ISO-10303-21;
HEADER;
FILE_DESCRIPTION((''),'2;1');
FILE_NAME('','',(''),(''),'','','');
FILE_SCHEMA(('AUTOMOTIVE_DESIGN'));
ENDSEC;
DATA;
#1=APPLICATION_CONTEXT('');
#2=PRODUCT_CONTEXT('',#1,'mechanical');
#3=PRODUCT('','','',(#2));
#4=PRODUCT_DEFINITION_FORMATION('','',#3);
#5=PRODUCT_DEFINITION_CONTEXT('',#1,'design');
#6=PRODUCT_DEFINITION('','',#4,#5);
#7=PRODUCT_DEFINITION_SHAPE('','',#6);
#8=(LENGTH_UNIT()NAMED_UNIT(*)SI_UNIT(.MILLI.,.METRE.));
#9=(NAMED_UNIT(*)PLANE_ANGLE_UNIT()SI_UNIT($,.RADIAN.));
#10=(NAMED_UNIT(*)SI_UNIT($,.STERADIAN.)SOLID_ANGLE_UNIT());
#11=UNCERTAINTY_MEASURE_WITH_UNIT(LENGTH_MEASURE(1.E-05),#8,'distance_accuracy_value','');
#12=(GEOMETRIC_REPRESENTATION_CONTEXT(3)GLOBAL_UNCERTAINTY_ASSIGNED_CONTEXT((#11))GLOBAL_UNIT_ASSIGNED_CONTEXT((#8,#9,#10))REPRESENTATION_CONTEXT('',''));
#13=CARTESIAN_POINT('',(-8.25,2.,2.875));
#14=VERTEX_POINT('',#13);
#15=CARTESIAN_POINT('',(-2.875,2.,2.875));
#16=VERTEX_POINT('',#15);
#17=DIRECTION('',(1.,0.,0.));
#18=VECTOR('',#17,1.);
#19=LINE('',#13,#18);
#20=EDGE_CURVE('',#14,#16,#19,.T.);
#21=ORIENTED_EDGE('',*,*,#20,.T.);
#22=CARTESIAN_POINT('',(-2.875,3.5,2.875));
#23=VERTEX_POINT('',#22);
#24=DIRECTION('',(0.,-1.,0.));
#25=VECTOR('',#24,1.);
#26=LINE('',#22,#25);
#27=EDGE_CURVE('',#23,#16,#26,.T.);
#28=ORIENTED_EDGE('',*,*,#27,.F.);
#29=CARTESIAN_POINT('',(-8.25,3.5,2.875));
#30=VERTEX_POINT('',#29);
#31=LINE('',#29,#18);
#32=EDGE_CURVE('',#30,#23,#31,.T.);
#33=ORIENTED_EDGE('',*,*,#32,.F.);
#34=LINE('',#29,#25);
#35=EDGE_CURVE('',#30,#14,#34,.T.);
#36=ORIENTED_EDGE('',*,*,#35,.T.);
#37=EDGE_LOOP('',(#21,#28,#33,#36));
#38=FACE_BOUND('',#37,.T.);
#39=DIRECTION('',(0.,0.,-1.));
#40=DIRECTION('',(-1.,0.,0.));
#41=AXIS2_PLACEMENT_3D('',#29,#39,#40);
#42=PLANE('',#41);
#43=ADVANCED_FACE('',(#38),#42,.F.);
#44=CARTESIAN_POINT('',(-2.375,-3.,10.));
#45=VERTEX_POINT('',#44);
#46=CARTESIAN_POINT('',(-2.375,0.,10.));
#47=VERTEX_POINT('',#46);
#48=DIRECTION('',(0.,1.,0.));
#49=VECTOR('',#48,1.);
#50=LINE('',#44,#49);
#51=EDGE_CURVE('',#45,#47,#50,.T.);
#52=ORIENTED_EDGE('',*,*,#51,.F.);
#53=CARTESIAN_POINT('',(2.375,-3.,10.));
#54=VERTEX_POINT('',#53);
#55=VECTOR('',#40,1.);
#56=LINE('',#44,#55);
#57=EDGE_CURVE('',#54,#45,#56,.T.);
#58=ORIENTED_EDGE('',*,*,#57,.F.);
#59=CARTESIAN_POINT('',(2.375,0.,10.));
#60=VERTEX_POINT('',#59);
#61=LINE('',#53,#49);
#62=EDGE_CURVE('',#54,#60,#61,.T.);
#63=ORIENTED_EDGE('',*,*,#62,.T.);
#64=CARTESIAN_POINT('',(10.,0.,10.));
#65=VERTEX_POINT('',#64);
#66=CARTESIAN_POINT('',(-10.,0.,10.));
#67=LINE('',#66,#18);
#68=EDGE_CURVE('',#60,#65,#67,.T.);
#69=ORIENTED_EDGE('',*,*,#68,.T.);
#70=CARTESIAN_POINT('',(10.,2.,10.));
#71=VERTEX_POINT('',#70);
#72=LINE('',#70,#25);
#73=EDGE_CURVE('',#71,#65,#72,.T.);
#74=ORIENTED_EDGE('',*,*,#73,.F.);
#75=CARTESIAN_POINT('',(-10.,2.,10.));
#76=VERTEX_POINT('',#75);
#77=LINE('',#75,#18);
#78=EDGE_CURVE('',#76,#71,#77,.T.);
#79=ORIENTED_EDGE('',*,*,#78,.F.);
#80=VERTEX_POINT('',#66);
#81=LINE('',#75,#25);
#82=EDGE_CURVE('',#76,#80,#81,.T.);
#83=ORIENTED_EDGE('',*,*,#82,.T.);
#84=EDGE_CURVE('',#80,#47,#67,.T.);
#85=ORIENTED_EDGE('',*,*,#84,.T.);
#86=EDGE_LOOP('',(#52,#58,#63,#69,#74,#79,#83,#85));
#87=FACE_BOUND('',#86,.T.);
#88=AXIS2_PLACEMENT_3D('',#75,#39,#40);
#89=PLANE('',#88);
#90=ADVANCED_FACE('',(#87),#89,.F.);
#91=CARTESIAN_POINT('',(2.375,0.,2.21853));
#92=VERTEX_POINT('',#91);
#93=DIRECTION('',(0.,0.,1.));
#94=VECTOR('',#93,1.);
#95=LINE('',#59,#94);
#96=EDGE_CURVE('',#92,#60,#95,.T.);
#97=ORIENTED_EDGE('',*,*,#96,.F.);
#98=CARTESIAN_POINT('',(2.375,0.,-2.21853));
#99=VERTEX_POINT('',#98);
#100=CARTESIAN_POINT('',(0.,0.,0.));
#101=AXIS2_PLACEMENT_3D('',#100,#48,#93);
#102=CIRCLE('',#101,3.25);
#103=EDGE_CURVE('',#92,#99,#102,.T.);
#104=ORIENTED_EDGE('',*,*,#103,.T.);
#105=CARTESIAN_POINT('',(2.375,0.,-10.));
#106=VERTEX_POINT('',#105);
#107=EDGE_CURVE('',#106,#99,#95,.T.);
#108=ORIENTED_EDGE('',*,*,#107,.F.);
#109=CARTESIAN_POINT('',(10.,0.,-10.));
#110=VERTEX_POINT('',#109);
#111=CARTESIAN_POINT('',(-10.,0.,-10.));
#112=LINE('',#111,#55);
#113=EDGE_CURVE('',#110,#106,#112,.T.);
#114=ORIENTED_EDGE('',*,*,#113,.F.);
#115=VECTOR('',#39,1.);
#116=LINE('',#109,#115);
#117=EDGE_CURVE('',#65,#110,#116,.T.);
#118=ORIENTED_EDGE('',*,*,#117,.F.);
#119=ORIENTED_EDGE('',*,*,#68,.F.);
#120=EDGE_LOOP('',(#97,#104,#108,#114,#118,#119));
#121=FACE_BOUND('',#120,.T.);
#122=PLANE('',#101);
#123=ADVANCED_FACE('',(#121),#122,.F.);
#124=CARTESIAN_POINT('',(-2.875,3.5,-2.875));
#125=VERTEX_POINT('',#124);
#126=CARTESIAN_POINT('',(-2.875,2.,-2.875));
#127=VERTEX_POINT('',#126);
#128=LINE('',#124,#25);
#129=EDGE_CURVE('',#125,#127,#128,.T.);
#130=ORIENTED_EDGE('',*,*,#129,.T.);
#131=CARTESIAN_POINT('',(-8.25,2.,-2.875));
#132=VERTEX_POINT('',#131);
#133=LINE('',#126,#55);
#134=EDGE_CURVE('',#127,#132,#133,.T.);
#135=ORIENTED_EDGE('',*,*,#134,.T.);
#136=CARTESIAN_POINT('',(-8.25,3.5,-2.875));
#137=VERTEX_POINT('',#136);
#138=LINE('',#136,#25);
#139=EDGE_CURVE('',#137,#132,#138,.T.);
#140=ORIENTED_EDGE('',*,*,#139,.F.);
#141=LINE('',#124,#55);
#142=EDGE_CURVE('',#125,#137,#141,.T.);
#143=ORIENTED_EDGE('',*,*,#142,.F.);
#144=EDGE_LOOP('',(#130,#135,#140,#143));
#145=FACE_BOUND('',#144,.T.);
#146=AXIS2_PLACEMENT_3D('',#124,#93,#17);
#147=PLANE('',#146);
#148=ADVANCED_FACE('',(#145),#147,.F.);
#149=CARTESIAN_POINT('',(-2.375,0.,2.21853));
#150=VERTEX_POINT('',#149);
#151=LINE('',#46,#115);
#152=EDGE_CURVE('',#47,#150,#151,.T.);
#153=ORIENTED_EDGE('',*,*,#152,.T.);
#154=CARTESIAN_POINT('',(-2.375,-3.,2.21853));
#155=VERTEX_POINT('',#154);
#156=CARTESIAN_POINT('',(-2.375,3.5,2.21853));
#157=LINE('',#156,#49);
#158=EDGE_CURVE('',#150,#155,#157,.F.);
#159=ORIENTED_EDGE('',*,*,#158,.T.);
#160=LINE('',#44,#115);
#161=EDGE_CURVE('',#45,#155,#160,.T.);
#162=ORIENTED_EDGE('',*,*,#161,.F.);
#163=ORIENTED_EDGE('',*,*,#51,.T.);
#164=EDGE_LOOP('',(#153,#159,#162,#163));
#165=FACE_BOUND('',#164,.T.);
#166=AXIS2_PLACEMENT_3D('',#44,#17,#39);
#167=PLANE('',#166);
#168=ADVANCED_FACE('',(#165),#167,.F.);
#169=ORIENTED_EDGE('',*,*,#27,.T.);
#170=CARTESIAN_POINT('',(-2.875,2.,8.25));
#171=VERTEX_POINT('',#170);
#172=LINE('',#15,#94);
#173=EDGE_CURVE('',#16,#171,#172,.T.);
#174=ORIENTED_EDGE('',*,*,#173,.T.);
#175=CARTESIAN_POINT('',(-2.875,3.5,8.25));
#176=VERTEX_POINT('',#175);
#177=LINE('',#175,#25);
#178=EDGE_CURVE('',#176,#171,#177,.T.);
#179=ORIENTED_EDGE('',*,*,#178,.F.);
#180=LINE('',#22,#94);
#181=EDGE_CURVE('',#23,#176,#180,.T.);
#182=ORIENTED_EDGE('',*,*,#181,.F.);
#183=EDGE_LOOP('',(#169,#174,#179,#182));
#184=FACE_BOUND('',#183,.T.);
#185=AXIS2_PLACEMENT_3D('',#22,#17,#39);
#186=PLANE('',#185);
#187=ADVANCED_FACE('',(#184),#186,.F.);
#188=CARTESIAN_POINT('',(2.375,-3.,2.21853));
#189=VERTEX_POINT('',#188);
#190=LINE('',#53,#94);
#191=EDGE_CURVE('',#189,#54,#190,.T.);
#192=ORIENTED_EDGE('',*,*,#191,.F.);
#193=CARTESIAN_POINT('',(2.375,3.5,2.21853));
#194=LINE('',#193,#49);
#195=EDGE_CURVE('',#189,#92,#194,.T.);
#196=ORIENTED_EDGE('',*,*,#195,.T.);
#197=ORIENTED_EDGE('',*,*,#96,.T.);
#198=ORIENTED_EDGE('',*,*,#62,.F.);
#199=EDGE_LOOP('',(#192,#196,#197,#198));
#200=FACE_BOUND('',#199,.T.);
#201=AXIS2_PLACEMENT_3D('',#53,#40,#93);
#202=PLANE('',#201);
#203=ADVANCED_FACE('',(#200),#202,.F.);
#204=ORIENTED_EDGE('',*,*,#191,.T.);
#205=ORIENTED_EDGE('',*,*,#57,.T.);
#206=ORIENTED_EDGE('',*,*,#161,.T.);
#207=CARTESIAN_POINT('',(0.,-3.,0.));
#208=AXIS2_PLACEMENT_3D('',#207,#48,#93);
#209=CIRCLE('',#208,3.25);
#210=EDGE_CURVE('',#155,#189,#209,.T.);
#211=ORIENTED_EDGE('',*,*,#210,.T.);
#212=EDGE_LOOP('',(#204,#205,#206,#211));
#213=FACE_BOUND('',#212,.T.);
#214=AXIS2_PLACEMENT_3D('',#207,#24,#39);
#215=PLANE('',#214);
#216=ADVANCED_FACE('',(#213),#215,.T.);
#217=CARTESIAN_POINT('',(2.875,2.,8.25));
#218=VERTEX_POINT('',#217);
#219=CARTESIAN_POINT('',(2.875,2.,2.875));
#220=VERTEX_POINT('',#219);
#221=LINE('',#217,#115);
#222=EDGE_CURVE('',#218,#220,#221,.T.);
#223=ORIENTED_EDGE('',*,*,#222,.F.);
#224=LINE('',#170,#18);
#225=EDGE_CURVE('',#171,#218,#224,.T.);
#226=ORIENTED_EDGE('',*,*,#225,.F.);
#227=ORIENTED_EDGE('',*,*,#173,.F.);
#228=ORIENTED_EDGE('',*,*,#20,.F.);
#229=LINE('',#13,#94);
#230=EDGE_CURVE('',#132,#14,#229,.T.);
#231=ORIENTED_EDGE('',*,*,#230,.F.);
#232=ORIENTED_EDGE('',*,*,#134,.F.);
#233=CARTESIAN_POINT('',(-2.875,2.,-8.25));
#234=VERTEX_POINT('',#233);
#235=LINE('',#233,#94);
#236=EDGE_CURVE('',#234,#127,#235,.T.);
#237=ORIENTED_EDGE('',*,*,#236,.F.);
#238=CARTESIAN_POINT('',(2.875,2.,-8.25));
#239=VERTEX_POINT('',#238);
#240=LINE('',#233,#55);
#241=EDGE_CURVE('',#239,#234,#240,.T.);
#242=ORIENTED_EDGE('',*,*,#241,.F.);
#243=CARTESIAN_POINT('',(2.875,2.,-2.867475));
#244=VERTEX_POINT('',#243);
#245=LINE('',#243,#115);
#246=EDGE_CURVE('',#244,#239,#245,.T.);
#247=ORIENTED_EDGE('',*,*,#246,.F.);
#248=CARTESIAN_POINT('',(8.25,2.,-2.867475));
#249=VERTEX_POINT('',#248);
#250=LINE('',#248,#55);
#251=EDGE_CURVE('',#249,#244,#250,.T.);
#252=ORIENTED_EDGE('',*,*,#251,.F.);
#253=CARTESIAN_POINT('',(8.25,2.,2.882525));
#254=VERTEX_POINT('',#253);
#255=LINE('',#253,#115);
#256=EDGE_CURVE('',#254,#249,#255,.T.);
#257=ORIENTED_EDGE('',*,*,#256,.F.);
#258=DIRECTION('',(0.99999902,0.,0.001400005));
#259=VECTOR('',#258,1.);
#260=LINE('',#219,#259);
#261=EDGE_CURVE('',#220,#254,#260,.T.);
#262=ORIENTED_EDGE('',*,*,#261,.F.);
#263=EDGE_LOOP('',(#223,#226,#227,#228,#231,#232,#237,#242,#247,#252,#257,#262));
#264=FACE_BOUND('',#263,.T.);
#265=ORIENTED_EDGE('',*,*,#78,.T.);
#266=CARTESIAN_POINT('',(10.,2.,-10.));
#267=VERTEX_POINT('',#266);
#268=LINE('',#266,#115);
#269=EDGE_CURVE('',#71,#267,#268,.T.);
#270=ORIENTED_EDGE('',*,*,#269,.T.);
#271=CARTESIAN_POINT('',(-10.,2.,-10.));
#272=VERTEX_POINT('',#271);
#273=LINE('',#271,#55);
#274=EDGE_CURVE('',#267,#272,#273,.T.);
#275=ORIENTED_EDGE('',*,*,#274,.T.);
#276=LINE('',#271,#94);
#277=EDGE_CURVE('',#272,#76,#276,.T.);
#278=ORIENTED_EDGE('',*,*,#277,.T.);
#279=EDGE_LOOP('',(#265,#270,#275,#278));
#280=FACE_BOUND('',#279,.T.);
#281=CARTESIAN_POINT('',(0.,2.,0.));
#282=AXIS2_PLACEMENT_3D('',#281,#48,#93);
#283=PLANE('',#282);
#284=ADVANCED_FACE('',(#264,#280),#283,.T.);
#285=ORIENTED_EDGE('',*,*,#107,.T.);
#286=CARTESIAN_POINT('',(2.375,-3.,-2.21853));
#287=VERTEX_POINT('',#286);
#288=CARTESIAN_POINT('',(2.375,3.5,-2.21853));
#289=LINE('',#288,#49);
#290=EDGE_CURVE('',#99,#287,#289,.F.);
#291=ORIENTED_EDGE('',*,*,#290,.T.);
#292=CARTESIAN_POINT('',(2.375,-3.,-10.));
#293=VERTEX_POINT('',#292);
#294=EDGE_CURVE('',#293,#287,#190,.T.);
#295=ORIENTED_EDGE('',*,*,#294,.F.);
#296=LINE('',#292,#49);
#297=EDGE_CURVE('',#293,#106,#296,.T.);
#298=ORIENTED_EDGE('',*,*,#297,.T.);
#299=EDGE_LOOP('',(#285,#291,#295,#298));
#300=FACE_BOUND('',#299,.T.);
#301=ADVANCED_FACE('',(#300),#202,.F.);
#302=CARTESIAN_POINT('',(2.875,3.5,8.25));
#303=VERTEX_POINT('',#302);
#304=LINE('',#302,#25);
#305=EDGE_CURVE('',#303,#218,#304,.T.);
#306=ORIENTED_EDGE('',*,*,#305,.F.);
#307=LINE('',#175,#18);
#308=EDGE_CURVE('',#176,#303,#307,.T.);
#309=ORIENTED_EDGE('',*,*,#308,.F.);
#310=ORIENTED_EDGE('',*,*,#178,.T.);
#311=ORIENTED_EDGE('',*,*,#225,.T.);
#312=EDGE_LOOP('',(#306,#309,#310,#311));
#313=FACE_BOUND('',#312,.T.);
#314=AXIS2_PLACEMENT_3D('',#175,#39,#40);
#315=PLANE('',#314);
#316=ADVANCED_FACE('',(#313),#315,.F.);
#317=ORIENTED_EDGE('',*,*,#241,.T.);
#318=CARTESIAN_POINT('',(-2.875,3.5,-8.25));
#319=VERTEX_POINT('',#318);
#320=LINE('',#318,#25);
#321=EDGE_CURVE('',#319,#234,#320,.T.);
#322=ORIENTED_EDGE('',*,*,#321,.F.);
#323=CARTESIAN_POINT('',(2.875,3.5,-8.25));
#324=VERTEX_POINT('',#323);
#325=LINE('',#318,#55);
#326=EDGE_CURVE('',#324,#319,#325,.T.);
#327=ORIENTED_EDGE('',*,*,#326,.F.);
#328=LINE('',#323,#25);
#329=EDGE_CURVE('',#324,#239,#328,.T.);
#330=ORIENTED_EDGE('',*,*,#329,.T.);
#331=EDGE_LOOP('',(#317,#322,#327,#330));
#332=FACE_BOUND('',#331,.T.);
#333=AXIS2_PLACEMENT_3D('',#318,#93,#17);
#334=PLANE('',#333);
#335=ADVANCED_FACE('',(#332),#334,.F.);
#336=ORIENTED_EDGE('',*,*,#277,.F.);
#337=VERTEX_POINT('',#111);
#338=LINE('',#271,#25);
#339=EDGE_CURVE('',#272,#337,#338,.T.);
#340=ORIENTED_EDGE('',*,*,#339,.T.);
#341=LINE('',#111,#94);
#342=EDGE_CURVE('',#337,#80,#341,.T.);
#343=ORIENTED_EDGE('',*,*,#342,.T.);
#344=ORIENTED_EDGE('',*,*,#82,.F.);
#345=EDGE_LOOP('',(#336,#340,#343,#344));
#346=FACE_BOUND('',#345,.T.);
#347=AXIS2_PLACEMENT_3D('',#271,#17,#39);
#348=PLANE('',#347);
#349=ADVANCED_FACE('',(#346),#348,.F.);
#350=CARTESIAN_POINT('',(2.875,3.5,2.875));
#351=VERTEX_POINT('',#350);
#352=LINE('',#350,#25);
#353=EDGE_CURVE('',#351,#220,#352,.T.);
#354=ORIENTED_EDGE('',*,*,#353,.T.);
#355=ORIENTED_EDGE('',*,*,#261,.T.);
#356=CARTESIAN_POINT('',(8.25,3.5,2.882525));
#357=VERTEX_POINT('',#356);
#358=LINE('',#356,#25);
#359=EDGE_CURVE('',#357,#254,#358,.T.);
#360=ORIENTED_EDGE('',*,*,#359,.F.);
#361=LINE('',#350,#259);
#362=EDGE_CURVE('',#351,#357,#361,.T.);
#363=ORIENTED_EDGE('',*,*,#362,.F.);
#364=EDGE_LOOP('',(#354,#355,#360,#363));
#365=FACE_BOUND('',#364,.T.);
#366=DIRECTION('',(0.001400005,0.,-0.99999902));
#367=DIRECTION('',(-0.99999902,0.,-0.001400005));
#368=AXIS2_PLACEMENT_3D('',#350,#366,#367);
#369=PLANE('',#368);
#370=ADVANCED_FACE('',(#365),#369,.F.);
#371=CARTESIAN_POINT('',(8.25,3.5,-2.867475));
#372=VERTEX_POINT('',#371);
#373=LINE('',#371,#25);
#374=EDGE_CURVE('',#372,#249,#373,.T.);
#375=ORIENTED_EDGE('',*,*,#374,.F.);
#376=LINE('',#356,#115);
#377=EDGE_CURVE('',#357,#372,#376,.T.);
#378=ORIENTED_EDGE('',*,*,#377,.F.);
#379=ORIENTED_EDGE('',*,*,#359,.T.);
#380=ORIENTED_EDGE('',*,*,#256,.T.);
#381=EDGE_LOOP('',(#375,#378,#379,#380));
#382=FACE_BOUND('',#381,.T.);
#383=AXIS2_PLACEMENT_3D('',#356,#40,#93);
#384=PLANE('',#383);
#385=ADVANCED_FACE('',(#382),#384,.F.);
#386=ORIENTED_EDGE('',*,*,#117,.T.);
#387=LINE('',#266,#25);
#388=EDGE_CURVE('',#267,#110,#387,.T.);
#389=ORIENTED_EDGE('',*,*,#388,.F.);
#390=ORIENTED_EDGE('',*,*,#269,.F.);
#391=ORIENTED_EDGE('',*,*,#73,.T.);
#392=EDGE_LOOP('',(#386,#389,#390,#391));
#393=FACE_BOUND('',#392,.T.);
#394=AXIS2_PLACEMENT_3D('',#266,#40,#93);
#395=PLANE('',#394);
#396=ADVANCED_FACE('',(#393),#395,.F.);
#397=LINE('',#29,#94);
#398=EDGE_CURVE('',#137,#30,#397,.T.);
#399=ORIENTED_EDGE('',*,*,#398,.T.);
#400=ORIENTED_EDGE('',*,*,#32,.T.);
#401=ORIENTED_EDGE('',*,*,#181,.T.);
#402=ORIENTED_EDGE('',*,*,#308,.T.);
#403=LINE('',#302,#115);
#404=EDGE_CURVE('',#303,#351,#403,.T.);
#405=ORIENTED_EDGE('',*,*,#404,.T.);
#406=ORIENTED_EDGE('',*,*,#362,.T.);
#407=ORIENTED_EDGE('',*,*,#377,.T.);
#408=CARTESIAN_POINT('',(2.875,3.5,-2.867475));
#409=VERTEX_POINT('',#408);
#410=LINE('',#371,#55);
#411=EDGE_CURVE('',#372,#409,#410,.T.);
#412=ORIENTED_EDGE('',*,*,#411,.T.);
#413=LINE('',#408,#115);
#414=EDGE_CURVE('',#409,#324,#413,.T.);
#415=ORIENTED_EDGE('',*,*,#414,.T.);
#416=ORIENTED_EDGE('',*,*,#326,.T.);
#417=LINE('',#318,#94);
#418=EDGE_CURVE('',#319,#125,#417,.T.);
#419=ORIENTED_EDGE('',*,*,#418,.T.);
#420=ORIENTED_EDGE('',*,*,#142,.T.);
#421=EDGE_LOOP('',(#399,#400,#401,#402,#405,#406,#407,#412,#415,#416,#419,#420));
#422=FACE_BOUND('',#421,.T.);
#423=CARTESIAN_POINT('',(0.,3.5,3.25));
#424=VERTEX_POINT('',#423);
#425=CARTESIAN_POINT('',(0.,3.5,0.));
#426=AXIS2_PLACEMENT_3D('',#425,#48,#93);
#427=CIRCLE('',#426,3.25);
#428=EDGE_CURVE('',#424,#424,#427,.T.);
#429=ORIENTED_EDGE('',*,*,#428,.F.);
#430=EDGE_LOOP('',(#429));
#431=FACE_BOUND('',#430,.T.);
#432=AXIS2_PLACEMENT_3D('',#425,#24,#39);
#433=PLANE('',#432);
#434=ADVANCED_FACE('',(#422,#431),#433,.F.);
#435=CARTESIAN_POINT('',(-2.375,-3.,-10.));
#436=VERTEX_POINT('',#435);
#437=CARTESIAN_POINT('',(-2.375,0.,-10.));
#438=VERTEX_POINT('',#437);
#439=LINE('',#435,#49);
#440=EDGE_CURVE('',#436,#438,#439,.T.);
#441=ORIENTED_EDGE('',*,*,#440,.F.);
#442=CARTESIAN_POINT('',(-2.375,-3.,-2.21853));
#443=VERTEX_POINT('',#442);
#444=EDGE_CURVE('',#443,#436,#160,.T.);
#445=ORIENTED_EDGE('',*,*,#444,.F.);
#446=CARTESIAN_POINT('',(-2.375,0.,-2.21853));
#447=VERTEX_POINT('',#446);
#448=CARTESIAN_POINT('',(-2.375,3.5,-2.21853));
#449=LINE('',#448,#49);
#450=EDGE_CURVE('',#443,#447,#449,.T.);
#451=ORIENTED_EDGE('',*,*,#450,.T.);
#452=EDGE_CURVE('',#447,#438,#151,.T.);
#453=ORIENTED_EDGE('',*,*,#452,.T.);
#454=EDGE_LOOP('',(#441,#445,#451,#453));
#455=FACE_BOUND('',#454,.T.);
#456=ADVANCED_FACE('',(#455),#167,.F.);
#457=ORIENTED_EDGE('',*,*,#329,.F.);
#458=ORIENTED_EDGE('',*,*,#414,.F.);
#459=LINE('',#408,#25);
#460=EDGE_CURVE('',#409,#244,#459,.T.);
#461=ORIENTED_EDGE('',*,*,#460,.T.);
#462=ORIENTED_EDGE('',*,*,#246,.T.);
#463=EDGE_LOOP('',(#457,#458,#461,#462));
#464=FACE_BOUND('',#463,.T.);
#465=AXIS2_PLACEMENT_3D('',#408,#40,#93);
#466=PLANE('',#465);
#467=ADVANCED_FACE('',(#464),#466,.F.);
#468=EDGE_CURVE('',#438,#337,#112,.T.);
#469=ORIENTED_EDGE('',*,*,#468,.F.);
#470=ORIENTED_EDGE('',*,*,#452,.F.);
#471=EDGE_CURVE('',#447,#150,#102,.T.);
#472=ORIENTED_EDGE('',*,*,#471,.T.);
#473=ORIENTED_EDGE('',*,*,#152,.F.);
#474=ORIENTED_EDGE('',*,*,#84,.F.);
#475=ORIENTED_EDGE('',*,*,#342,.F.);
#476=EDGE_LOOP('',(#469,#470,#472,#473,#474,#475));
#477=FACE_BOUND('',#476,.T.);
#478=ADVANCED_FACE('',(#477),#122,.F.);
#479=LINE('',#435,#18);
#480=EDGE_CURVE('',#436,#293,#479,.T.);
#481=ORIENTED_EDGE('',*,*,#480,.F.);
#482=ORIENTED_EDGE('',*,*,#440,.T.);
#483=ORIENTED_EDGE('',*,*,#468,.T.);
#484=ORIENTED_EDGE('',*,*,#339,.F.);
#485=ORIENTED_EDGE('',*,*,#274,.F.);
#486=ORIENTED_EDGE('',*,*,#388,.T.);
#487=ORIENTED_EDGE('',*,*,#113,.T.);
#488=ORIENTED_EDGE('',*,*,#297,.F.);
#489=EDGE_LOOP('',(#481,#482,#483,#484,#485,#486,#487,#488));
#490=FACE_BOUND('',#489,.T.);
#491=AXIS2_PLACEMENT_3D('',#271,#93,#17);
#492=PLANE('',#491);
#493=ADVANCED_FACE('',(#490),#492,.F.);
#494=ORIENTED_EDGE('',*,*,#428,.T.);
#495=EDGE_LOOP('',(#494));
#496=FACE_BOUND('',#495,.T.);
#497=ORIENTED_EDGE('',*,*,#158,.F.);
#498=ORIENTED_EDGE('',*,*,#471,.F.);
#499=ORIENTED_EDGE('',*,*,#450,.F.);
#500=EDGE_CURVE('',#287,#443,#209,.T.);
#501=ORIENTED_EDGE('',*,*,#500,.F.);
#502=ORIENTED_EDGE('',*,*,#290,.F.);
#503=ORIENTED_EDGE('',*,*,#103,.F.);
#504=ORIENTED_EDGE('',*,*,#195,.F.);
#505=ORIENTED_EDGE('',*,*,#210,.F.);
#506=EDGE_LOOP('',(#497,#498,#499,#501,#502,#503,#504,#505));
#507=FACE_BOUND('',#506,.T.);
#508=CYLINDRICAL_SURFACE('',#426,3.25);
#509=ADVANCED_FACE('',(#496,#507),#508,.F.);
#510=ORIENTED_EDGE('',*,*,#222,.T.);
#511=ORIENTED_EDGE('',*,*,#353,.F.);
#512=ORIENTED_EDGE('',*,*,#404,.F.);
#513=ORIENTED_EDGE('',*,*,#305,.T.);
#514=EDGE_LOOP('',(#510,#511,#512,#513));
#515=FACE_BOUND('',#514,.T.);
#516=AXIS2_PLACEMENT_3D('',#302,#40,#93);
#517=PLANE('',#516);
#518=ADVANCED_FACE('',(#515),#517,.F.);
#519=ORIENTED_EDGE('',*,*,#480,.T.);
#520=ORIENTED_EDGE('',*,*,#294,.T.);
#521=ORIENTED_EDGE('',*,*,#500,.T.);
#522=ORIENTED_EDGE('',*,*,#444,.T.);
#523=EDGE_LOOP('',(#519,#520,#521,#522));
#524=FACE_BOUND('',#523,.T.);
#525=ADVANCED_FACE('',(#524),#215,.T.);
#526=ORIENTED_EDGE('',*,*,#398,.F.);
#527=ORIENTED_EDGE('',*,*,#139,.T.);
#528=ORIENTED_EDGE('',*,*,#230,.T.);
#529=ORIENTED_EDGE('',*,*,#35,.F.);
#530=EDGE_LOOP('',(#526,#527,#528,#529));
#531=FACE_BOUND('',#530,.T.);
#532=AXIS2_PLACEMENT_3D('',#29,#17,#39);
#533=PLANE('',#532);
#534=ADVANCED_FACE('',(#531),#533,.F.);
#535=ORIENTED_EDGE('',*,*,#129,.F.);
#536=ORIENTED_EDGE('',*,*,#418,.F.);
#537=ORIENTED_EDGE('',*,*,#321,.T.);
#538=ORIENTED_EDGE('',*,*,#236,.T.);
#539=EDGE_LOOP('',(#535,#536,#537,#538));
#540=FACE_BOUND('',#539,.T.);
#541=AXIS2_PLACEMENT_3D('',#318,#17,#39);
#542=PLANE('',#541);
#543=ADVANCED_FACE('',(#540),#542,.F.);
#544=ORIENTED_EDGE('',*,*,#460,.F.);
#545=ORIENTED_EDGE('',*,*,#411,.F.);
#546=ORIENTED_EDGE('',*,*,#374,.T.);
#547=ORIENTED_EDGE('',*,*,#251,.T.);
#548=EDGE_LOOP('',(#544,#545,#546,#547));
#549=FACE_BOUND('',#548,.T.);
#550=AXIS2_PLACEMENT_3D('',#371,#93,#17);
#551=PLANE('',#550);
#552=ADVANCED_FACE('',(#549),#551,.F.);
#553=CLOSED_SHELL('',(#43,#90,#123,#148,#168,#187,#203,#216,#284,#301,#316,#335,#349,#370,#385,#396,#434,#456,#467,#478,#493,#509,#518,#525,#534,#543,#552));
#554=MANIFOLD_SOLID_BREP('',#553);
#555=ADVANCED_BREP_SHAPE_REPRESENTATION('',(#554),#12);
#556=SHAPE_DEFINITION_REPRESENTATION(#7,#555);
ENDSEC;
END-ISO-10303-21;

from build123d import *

# Parameters (mm, degrees)
SKETCH1_W                      = 20
SKETCH1_H                      = 20
BOSS_EXTRUDE1_DEPTH            = 2
BOSS_EXTRUDE3_DEPTH            = 1.5
SKETCH6_W                      = 4.75
SKETCH6_H                      = 20
BOSS_EXTRUDE4_DEPTH            = 3
TAP_DRILL_FOR_M2_2_HELICOIL1_D = 6.5


with BuildPart() as part:
    # Sketch1 → Boss-Extrude1 (new body)
    with BuildSketch(Plane(origin=(0, 0, 0), x_dir=(1, 0, 0), z_dir=(0, 1, 0))):
        Rectangle(SKETCH1_W, SKETCH1_H)
    extrude(amount=BOSS_EXTRUDE1_DEPTH)

    # Sketch3 → Boss-Extrude3 (add)
    with BuildSketch(Plane(origin=(0, 2, 0), x_dir=(1, 0, 0), z_dir=(0, 1, 0))):
        Polygon((-2.875, 8.25), (2.875, 8.25), (2.875, 2.867474963), (8.25, 2.867474963), (8.25, -2.882525037), (2.875, -2.875), (2.875, -8.25), (-2.875, -8.25), (-2.875, -2.875), (-8.25, -2.875), (-8.25, 2.875), (-2.875, 2.875), align=None)
    extrude(amount=BOSS_EXTRUDE3_DEPTH)

    # Sketch6 → Boss-Extrude4 (add)
    with BuildSketch(Plane.XZ):
        Rectangle(SKETCH6_W, SKETCH6_H)
    extrude(amount=BOSS_EXTRUDE4_DEPTH)

    # Tap Drill for M2.2 Helicoil1 (through all)
    with Locations(Plane.ZX.offset(3.5)):
        with Locations((0, 0)):
            Hole(TAP_DRILL_FOR_M2_2_HELICOIL1_D / 2)


solid = part.part
